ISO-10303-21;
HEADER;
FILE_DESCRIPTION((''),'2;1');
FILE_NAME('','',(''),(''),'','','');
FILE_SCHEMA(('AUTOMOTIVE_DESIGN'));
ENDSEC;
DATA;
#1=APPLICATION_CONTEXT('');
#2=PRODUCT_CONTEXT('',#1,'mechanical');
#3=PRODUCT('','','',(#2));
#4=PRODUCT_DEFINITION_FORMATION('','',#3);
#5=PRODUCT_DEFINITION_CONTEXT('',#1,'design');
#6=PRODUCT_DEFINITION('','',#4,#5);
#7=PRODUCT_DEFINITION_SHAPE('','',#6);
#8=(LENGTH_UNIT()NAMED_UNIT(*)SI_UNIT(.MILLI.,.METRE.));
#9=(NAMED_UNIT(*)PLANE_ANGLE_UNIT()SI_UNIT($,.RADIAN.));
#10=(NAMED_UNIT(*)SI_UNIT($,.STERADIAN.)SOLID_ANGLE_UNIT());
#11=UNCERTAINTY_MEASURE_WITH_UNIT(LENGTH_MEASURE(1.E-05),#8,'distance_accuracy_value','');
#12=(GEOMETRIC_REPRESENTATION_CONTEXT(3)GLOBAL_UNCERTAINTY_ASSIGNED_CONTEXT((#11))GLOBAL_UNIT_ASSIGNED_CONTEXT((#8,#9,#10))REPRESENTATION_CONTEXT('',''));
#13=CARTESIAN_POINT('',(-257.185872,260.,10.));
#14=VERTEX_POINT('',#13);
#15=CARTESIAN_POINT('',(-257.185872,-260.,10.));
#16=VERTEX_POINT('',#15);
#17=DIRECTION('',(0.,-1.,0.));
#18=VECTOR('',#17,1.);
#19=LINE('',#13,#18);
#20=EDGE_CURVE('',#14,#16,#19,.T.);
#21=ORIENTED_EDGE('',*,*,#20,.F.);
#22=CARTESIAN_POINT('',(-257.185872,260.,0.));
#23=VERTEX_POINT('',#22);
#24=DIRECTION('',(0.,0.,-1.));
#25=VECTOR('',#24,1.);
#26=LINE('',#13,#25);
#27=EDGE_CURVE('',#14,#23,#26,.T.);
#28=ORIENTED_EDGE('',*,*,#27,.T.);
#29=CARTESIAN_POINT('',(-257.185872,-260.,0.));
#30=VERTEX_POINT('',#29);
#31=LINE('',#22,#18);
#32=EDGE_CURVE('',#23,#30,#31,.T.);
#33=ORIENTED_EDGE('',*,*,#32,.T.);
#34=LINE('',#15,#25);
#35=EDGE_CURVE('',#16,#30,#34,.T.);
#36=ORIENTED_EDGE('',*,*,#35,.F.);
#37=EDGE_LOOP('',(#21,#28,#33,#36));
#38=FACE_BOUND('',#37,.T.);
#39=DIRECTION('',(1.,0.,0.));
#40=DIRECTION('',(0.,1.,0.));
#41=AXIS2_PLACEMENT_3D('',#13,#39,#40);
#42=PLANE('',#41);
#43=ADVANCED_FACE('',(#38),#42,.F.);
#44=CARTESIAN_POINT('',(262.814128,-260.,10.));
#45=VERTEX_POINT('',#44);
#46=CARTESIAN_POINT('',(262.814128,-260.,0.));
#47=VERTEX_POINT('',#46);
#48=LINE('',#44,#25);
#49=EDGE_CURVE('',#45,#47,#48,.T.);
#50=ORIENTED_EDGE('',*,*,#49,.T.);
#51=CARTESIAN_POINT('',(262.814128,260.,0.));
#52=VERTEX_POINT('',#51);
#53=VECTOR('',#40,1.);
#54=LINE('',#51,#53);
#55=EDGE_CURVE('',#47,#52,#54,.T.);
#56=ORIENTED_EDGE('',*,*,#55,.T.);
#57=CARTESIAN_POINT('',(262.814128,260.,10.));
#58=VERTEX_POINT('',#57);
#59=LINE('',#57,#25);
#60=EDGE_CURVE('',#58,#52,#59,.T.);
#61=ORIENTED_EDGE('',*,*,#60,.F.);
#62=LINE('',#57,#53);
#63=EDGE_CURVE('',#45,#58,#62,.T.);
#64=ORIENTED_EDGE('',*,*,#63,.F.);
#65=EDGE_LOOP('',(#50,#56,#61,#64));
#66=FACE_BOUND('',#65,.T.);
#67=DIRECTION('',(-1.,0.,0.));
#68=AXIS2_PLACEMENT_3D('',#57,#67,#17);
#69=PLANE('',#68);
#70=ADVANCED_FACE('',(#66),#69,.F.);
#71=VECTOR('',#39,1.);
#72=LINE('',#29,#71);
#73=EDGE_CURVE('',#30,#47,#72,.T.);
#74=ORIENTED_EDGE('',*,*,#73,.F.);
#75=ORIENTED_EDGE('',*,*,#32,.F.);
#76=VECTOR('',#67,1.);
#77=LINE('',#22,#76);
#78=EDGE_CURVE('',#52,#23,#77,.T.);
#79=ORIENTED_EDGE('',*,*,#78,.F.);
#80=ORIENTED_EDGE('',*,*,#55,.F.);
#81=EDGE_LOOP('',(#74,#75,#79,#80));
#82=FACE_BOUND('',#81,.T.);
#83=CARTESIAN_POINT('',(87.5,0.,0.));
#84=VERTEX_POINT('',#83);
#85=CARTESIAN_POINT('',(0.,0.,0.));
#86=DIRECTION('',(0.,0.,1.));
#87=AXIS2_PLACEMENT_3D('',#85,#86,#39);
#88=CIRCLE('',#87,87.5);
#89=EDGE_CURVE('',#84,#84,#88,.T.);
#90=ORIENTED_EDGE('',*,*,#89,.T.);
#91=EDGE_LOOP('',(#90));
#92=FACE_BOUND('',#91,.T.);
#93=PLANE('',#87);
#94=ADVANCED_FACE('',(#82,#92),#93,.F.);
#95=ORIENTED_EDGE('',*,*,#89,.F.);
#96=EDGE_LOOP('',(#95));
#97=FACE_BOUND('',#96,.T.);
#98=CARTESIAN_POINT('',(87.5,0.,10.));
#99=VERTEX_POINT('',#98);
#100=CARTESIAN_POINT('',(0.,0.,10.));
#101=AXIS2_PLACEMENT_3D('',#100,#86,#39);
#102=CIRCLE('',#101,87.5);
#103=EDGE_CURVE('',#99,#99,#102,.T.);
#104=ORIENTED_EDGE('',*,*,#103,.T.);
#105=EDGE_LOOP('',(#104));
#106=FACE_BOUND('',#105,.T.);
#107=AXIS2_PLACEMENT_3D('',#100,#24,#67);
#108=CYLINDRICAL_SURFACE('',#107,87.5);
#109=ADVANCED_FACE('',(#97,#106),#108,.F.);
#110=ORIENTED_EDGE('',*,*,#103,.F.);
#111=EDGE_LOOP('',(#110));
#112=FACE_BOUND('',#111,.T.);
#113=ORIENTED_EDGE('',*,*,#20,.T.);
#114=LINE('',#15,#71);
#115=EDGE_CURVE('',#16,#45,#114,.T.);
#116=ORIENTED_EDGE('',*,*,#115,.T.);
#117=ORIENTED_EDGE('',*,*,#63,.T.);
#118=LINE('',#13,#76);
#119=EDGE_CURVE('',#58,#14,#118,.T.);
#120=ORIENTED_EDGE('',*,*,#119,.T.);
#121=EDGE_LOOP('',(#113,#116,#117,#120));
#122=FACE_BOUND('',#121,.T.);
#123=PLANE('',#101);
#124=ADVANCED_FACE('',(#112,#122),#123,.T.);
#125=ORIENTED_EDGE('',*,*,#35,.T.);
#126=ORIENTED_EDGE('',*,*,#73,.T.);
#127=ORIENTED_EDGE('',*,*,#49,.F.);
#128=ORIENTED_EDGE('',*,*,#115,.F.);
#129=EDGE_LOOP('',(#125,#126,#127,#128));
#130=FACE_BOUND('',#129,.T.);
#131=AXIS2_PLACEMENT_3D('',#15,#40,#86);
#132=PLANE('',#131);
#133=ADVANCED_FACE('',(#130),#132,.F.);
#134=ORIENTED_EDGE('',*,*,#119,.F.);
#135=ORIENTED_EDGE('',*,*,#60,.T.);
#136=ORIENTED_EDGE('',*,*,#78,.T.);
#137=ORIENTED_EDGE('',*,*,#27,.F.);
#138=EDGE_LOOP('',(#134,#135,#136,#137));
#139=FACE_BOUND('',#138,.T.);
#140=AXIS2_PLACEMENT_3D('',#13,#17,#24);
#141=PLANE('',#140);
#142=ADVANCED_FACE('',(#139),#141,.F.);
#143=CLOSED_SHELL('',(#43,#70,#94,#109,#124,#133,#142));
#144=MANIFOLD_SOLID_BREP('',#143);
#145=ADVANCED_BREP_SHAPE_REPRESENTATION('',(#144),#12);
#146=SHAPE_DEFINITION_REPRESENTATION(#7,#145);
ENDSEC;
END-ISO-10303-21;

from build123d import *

# Parameters (mm, degrees)
SKETCH1_W           = 520
SKETCH1_H           = 520
SKETCH1_R           = 87.5
BOSS_EXTRUDE1_DEPTH = 10


with BuildPart() as part:
    # Sketch1 → Boss-Extrude1 (new body)
    with BuildSketch(Plane.XY):
        with Locations((2.814128303, 0)):
            Rectangle(SKETCH1_W, SKETCH1_H)
        Circle(SKETCH1_R, mode=Mode.SUBTRACT)
    extrude(amount=BOSS_EXTRUDE1_DEPTH)


solid = part.part
